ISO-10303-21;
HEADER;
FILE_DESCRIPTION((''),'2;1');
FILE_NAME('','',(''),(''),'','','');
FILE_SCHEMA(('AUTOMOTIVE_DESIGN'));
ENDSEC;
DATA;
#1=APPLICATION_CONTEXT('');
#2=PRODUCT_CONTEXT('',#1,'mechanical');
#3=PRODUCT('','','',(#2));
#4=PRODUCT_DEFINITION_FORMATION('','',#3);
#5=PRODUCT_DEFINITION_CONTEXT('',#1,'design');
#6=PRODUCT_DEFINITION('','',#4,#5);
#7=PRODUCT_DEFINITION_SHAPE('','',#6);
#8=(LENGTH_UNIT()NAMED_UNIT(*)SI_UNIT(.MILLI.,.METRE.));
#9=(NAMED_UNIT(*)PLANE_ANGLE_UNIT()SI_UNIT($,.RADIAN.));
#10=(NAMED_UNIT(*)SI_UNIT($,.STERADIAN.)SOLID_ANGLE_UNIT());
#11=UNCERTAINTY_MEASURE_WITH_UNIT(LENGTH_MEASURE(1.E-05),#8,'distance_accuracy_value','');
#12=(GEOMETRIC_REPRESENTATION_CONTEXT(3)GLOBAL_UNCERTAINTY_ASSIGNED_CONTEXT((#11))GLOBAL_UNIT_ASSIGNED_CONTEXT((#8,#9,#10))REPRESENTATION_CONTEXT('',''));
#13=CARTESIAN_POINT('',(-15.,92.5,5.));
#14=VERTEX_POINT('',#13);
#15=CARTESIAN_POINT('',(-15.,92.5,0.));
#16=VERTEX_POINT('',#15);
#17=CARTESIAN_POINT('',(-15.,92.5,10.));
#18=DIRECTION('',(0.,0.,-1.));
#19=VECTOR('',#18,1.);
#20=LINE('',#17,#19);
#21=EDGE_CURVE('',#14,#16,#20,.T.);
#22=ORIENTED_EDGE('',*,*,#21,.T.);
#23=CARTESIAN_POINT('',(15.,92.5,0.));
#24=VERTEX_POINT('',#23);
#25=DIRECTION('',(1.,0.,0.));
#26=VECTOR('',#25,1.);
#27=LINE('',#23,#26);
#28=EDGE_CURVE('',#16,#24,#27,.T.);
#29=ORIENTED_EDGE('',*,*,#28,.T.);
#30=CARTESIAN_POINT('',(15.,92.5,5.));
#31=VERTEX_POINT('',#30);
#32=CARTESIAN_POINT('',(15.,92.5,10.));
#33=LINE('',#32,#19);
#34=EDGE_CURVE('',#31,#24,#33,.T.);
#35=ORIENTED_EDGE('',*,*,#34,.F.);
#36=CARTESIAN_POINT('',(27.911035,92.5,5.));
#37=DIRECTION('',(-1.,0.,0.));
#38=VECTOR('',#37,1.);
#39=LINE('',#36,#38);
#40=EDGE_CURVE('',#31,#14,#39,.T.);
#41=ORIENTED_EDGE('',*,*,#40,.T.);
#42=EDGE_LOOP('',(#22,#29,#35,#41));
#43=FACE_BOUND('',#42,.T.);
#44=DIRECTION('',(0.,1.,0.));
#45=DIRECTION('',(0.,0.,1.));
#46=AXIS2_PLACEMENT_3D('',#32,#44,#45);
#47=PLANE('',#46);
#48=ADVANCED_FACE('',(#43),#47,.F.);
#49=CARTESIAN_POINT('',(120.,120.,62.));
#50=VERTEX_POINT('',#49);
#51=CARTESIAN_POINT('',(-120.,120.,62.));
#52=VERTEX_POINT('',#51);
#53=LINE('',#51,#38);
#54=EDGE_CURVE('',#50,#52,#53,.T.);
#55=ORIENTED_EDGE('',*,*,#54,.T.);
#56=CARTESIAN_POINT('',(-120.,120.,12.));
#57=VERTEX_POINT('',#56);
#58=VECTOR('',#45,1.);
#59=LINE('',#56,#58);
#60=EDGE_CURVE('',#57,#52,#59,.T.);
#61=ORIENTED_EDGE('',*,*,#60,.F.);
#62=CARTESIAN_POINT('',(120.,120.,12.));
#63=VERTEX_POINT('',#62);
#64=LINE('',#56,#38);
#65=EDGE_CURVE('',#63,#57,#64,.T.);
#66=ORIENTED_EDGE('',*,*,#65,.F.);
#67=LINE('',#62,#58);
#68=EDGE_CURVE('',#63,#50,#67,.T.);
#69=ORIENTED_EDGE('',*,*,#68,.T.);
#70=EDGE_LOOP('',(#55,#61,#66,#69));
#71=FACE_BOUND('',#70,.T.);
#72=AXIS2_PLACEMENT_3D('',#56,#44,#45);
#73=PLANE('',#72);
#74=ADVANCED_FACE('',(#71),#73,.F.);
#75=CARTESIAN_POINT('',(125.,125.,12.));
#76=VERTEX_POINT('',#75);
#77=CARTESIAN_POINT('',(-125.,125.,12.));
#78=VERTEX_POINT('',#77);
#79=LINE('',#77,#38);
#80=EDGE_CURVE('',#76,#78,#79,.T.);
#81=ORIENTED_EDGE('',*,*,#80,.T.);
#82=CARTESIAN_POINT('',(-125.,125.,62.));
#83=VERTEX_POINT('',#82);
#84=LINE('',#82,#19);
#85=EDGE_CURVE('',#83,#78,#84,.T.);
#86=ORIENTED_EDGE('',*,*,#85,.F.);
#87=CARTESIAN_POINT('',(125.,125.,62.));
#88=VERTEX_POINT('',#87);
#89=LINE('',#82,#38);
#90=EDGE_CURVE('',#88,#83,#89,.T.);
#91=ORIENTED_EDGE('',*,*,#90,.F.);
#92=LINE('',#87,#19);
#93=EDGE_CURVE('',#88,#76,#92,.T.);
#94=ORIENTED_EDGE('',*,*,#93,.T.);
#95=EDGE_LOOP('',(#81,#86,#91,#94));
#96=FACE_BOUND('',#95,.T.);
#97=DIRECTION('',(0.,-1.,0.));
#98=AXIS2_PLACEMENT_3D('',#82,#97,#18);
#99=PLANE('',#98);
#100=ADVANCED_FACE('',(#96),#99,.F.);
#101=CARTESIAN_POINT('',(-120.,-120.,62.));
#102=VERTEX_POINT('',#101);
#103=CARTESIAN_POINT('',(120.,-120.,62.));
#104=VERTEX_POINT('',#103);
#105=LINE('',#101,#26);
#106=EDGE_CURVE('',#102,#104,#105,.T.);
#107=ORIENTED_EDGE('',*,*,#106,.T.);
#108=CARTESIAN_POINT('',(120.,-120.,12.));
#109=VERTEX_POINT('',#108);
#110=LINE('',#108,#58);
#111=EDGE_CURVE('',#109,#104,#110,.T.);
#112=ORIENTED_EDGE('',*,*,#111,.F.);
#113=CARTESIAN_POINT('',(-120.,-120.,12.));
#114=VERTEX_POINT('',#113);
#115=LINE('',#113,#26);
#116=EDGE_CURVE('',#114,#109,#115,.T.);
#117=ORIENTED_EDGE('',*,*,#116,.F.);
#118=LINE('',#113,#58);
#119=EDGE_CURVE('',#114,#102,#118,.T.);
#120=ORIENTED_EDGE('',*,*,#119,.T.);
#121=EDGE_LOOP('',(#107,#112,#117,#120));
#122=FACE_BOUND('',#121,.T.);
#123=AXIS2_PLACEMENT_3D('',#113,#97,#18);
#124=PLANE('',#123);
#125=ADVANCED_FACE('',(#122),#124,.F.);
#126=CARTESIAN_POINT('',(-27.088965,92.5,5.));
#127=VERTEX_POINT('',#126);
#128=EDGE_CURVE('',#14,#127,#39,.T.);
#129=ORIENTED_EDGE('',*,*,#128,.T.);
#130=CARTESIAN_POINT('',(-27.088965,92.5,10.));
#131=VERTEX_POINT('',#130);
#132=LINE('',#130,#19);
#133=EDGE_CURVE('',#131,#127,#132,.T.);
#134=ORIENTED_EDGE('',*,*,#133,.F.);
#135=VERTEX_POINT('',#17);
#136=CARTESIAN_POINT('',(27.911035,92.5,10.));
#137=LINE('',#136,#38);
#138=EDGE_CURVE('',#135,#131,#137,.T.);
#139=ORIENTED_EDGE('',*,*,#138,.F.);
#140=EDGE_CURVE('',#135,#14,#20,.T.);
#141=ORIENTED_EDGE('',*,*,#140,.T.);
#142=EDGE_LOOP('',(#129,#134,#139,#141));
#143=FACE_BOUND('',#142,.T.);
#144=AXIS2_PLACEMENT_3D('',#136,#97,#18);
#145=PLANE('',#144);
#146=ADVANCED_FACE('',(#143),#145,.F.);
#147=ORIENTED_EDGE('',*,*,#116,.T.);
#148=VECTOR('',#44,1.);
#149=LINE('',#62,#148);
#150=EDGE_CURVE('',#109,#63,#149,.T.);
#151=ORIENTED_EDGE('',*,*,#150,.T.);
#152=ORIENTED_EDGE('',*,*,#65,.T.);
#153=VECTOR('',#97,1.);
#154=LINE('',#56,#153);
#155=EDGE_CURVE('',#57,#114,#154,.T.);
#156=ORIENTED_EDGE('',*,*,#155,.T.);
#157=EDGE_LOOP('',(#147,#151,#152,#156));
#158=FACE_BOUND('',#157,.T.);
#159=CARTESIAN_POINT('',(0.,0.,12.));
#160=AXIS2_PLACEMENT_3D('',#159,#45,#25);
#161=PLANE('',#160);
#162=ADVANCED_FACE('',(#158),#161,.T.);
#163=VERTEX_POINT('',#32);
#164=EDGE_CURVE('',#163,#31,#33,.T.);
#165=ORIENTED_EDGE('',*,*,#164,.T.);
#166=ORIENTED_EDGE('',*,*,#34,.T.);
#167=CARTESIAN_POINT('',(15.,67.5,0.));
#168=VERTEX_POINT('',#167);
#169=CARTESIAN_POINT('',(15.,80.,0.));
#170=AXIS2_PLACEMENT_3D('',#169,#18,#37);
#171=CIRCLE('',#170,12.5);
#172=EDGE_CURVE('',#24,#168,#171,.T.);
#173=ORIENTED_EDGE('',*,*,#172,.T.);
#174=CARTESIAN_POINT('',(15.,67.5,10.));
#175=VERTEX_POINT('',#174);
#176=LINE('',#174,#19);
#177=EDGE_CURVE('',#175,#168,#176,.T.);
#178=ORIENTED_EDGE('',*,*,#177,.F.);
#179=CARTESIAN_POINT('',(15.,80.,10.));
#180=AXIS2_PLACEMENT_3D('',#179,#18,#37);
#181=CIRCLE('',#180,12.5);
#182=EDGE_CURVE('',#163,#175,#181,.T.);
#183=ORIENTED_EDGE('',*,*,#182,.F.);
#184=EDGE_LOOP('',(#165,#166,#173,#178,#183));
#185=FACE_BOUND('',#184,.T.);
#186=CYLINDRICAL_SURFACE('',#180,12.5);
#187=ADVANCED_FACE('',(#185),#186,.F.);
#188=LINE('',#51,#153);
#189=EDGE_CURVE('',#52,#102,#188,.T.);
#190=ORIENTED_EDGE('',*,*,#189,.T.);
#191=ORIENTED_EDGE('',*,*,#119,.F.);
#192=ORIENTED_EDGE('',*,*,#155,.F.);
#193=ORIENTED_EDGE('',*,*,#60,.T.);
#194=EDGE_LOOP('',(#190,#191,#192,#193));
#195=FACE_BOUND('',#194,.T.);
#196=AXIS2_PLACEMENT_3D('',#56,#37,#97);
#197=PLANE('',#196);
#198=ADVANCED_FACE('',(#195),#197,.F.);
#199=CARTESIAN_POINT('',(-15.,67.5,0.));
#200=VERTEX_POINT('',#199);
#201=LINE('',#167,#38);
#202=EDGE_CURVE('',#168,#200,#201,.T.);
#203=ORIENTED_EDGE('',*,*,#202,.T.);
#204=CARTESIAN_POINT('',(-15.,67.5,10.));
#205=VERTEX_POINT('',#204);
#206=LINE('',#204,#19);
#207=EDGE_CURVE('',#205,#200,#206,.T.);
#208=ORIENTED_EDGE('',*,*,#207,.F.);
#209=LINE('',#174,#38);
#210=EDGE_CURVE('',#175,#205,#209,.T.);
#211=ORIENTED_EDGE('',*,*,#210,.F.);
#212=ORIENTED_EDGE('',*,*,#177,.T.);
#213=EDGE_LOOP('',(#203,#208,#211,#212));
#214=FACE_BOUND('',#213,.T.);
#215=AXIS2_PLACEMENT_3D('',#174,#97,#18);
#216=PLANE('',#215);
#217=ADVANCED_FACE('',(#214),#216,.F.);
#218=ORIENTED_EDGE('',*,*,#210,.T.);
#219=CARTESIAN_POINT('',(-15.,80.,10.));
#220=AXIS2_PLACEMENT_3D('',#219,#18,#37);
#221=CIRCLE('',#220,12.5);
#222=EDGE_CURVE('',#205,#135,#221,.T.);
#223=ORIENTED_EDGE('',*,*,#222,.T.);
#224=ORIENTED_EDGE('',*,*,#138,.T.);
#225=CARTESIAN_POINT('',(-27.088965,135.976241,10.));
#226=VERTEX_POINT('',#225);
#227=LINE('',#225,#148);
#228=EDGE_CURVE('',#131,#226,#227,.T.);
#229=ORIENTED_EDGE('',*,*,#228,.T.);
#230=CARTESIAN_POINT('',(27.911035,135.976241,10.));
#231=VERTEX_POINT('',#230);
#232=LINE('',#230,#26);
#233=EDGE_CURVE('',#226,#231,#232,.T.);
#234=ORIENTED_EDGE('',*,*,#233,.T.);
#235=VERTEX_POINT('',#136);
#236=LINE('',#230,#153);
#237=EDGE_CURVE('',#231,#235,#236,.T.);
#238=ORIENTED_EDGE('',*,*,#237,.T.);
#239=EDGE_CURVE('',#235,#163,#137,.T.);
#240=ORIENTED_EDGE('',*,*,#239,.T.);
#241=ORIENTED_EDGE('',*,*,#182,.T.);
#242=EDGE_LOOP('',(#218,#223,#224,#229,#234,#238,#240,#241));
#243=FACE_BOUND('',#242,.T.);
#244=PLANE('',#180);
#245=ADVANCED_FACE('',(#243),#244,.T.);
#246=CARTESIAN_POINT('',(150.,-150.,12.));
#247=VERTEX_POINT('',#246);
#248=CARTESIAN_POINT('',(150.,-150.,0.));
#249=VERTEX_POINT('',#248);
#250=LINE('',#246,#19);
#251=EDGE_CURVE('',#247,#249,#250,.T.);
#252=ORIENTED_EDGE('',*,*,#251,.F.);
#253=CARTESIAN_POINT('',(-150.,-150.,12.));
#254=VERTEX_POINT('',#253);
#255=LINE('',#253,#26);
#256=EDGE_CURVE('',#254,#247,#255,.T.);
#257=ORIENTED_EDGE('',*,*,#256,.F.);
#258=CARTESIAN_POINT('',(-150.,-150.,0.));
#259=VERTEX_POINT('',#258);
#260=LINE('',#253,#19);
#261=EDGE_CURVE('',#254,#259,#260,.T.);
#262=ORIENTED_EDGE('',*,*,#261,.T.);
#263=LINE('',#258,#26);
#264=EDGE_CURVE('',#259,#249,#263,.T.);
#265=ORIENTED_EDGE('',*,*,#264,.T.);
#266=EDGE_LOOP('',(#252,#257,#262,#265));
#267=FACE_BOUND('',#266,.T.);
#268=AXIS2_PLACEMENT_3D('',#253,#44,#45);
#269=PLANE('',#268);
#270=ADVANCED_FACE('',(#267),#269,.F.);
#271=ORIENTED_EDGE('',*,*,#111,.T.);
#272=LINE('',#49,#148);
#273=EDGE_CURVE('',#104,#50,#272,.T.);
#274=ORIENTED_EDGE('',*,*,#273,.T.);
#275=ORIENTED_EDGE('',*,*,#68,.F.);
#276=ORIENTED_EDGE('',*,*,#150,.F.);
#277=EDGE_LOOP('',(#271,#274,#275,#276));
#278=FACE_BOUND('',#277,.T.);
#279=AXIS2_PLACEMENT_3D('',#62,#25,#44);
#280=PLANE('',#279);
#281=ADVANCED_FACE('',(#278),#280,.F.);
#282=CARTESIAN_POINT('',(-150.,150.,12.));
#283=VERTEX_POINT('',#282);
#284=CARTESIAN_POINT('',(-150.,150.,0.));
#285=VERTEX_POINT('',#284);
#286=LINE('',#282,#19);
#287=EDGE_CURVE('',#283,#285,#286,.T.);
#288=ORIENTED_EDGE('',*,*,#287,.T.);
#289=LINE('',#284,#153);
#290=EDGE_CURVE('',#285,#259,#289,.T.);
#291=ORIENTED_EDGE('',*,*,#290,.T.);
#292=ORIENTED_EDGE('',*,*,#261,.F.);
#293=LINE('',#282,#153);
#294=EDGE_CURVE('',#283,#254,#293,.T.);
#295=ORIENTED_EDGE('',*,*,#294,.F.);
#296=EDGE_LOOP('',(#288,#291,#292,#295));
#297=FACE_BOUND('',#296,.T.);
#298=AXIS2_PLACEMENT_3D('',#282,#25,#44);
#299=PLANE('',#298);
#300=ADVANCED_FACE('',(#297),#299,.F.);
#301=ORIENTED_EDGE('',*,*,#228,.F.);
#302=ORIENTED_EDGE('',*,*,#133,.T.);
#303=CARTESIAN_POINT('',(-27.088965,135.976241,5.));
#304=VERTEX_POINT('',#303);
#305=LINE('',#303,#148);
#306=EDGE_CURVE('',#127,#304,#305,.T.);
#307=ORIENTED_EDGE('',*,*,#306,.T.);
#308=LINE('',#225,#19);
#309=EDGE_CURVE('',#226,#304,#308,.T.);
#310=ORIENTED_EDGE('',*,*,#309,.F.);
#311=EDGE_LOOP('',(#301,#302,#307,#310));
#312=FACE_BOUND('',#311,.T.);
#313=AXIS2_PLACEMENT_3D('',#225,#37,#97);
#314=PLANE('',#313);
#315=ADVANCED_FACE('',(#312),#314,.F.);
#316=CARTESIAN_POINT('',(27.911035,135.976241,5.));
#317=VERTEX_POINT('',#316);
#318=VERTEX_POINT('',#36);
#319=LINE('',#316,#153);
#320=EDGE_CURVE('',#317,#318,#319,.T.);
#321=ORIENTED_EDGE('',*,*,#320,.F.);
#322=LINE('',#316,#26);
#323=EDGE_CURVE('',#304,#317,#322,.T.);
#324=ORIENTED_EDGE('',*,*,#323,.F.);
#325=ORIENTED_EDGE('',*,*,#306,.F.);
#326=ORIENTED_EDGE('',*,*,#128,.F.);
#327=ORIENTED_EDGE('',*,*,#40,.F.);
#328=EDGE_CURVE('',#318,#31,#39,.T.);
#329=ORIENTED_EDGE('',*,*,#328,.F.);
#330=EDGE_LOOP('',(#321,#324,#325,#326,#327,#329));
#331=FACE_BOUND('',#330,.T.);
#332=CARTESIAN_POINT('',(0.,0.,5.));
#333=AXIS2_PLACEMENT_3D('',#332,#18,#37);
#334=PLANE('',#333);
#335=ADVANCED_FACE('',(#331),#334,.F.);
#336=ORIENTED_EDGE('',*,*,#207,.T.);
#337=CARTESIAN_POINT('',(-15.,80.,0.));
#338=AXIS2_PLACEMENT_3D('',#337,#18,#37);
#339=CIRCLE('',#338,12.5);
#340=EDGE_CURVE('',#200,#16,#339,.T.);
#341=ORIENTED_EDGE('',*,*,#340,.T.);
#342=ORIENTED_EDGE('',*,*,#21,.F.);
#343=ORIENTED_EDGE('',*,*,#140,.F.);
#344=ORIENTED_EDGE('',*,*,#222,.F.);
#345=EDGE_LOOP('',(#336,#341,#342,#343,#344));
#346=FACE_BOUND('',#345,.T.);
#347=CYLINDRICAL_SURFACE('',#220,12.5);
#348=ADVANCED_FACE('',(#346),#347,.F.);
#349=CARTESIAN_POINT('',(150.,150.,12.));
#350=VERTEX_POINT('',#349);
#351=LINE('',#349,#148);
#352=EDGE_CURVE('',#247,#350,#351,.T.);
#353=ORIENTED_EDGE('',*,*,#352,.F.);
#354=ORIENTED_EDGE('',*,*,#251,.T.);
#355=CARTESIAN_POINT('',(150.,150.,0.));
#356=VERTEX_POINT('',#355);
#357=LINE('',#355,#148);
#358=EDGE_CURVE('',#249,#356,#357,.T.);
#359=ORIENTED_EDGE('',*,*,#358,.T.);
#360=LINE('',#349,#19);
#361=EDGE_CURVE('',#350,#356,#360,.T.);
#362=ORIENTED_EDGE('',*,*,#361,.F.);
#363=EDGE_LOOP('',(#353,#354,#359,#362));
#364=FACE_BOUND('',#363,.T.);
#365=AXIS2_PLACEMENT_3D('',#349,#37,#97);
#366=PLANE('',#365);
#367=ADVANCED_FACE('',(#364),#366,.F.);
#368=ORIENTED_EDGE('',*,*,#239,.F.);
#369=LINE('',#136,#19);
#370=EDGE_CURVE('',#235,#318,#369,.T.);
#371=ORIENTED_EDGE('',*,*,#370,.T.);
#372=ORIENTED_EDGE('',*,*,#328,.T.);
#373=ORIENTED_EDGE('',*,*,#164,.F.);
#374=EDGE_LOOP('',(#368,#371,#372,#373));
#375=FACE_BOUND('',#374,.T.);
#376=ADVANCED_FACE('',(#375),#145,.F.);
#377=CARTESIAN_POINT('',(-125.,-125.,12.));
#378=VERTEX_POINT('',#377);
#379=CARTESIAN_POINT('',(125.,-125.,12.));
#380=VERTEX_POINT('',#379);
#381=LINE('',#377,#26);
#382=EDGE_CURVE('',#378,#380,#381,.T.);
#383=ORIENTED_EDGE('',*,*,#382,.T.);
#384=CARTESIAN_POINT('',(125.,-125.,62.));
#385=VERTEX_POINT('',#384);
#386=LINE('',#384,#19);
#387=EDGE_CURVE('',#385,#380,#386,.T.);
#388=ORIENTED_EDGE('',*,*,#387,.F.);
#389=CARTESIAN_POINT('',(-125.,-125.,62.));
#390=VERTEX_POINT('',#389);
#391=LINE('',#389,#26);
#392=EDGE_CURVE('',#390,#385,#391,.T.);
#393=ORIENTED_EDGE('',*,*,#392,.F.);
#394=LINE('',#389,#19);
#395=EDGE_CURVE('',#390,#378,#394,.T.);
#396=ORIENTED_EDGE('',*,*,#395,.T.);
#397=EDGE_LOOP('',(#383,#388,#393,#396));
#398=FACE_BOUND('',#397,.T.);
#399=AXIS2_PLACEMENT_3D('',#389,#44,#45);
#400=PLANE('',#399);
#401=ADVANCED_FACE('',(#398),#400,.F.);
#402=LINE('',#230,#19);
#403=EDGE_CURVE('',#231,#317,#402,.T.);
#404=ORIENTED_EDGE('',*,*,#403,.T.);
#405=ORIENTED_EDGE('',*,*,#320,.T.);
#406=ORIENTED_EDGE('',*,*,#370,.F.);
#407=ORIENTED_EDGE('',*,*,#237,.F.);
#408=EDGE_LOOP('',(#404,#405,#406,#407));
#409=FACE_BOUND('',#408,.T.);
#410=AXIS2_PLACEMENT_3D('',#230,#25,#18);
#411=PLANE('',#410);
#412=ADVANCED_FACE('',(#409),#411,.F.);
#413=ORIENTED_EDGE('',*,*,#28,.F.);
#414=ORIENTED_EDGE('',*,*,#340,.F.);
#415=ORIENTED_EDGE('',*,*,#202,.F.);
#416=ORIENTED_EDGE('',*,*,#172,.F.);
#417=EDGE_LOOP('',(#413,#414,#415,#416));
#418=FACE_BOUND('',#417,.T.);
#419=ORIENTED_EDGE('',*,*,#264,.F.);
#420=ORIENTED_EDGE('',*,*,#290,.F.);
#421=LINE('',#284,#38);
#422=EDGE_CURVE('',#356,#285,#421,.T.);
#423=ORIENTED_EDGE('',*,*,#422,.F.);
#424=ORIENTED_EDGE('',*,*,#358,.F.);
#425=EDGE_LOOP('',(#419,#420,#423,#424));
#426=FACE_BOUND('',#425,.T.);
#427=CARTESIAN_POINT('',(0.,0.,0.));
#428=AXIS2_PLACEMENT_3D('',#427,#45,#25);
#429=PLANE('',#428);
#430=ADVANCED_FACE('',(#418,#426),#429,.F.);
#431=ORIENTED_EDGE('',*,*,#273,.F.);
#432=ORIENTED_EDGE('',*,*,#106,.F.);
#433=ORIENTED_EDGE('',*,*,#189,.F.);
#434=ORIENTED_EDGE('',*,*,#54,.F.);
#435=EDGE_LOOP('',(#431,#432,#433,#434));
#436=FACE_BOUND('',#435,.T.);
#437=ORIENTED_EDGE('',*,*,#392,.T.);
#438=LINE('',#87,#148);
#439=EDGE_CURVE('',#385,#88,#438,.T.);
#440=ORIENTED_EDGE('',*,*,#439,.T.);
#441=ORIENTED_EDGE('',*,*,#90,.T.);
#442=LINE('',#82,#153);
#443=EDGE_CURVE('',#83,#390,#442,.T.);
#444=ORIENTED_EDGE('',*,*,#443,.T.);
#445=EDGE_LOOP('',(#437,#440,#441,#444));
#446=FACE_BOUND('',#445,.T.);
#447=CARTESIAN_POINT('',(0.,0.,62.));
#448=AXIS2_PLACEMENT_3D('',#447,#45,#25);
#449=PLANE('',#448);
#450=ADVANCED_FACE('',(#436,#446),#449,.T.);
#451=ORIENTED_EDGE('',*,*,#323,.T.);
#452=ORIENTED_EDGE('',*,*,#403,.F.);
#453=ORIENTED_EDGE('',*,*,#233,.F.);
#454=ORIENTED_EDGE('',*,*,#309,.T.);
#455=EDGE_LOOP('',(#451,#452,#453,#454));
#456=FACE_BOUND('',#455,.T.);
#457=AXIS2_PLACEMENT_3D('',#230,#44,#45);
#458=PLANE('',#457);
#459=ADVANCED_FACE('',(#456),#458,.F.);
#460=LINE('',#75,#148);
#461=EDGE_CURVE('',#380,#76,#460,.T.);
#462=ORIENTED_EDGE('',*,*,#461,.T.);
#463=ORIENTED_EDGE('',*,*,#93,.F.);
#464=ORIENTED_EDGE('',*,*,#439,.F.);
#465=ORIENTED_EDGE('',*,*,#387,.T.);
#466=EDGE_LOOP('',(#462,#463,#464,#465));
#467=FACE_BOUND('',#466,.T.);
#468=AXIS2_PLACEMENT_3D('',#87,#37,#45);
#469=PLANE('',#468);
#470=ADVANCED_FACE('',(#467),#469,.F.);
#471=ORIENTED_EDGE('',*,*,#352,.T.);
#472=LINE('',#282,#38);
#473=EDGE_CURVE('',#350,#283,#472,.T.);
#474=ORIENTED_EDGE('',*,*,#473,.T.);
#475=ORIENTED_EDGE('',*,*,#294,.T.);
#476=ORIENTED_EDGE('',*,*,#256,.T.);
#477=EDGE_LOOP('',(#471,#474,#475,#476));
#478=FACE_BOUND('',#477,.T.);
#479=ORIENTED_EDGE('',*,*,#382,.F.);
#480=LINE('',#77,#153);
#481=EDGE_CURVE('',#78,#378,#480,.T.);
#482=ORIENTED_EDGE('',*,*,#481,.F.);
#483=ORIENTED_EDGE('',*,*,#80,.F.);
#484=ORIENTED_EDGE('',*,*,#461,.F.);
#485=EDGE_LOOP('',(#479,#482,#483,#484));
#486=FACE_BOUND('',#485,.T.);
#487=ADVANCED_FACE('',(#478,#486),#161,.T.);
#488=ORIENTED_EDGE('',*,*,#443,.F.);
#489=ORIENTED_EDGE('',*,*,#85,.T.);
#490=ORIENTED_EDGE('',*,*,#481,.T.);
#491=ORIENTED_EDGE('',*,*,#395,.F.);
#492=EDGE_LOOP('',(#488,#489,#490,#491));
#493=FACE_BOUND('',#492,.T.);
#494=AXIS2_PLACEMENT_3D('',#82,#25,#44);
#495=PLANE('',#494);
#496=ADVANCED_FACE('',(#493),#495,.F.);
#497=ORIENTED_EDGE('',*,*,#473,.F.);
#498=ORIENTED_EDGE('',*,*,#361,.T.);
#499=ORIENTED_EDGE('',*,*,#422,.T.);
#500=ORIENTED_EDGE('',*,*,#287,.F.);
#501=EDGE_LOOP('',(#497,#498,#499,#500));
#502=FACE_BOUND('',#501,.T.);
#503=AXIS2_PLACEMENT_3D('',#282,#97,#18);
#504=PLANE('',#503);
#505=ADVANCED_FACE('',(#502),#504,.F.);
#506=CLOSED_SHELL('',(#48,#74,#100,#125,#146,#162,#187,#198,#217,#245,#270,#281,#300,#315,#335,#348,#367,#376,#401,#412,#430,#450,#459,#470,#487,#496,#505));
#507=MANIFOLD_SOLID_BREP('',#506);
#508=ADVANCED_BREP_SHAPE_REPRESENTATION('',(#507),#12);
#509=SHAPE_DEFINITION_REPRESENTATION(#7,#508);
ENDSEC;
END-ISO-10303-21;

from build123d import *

# Parameters (mm, degrees)
ESQUISSE1_W             = 300
ESQUISSE1_H             = 300
BOSS_EXTRU_1_DEPTH      = 12
ESQUISSE2_W             = 250
ESQUISSE2_H             = 250
BOSS_EXTRU_2_DEPTH      = 50
ENL_V_MAT_EXTRU_1_DEPTH = 10
ENL_V_START             = -5
ESQUISSE4_W             = 55
ESQUISSE4_H             = 43.476241007
ENL_V_MAT_EXTRU_2_DEPTH = 5
ESQUISSE6_W             = 240
ESQUISSE6_H             = 240
ENL_V_MAT_EXTRU_3_DEPTH = 50


with BuildPart() as part:
    # Esquisse1 → Boss.-Extru.1 (new body)
    with BuildSketch(Plane.XY):
        Rectangle(ESQUISSE1_W, ESQUISSE1_H)
    extrude(amount=BOSS_EXTRU_1_DEPTH)

    # Esquisse2 → Boss.-Extru.2 (add)
    with BuildSketch(Plane.XY.offset(12)):
        Rectangle(ESQUISSE2_W, ESQUISSE2_H)
    extrude(amount=BOSS_EXTRU_2_DEPTH)

    # Esquisse3 → Enlèv. mat.-Extru.1 (cut)
    with BuildSketch(Plane(origin=(0, 0, 0), x_dir=(-1, 0, 0), z_dir=(0, 0, -1))):
        with BuildLine():
            Line((-15, 92.5), (15, 92.5))
            ThreePointArc((15, 92.5), (27.5, 80), (15, 67.5))
            Line((15, 67.5), (-15, 67.5))
            ThreePointArc((-15, 67.5), (-27.5, 80), (-15, 92.5))
        make_face()
    extrude(amount=-ENL_V_MAT_EXTRU_1_DEPTH, mode=Mode.SUBTRACT)

    # Esquisse4 → Enlèv. mat.-Extru.2 (cut)
    with BuildSketch(Plane(origin=(0, 0, 0), x_dir=(-1, 0, 0), z_dir=(0, 0, -1)).offset(ENL_V_START)):
        with Locations((-0.411034786, 114.238120503)):
            Rectangle(ESQUISSE4_W, ESQUISSE4_H)
    extrude(amount=-ENL_V_MAT_EXTRU_2_DEPTH, mode=Mode.SUBTRACT)

    # Esquisse6 → Enlèv. mat.-Extru.3 (cut)
    with BuildSketch(Plane.XY.offset(62)):
        Rectangle(ESQUISSE6_W, ESQUISSE6_H)
    extrude(amount=-ENL_V_MAT_EXTRU_3_DEPTH, mode=Mode.SUBTRACT)


solid = part.part
